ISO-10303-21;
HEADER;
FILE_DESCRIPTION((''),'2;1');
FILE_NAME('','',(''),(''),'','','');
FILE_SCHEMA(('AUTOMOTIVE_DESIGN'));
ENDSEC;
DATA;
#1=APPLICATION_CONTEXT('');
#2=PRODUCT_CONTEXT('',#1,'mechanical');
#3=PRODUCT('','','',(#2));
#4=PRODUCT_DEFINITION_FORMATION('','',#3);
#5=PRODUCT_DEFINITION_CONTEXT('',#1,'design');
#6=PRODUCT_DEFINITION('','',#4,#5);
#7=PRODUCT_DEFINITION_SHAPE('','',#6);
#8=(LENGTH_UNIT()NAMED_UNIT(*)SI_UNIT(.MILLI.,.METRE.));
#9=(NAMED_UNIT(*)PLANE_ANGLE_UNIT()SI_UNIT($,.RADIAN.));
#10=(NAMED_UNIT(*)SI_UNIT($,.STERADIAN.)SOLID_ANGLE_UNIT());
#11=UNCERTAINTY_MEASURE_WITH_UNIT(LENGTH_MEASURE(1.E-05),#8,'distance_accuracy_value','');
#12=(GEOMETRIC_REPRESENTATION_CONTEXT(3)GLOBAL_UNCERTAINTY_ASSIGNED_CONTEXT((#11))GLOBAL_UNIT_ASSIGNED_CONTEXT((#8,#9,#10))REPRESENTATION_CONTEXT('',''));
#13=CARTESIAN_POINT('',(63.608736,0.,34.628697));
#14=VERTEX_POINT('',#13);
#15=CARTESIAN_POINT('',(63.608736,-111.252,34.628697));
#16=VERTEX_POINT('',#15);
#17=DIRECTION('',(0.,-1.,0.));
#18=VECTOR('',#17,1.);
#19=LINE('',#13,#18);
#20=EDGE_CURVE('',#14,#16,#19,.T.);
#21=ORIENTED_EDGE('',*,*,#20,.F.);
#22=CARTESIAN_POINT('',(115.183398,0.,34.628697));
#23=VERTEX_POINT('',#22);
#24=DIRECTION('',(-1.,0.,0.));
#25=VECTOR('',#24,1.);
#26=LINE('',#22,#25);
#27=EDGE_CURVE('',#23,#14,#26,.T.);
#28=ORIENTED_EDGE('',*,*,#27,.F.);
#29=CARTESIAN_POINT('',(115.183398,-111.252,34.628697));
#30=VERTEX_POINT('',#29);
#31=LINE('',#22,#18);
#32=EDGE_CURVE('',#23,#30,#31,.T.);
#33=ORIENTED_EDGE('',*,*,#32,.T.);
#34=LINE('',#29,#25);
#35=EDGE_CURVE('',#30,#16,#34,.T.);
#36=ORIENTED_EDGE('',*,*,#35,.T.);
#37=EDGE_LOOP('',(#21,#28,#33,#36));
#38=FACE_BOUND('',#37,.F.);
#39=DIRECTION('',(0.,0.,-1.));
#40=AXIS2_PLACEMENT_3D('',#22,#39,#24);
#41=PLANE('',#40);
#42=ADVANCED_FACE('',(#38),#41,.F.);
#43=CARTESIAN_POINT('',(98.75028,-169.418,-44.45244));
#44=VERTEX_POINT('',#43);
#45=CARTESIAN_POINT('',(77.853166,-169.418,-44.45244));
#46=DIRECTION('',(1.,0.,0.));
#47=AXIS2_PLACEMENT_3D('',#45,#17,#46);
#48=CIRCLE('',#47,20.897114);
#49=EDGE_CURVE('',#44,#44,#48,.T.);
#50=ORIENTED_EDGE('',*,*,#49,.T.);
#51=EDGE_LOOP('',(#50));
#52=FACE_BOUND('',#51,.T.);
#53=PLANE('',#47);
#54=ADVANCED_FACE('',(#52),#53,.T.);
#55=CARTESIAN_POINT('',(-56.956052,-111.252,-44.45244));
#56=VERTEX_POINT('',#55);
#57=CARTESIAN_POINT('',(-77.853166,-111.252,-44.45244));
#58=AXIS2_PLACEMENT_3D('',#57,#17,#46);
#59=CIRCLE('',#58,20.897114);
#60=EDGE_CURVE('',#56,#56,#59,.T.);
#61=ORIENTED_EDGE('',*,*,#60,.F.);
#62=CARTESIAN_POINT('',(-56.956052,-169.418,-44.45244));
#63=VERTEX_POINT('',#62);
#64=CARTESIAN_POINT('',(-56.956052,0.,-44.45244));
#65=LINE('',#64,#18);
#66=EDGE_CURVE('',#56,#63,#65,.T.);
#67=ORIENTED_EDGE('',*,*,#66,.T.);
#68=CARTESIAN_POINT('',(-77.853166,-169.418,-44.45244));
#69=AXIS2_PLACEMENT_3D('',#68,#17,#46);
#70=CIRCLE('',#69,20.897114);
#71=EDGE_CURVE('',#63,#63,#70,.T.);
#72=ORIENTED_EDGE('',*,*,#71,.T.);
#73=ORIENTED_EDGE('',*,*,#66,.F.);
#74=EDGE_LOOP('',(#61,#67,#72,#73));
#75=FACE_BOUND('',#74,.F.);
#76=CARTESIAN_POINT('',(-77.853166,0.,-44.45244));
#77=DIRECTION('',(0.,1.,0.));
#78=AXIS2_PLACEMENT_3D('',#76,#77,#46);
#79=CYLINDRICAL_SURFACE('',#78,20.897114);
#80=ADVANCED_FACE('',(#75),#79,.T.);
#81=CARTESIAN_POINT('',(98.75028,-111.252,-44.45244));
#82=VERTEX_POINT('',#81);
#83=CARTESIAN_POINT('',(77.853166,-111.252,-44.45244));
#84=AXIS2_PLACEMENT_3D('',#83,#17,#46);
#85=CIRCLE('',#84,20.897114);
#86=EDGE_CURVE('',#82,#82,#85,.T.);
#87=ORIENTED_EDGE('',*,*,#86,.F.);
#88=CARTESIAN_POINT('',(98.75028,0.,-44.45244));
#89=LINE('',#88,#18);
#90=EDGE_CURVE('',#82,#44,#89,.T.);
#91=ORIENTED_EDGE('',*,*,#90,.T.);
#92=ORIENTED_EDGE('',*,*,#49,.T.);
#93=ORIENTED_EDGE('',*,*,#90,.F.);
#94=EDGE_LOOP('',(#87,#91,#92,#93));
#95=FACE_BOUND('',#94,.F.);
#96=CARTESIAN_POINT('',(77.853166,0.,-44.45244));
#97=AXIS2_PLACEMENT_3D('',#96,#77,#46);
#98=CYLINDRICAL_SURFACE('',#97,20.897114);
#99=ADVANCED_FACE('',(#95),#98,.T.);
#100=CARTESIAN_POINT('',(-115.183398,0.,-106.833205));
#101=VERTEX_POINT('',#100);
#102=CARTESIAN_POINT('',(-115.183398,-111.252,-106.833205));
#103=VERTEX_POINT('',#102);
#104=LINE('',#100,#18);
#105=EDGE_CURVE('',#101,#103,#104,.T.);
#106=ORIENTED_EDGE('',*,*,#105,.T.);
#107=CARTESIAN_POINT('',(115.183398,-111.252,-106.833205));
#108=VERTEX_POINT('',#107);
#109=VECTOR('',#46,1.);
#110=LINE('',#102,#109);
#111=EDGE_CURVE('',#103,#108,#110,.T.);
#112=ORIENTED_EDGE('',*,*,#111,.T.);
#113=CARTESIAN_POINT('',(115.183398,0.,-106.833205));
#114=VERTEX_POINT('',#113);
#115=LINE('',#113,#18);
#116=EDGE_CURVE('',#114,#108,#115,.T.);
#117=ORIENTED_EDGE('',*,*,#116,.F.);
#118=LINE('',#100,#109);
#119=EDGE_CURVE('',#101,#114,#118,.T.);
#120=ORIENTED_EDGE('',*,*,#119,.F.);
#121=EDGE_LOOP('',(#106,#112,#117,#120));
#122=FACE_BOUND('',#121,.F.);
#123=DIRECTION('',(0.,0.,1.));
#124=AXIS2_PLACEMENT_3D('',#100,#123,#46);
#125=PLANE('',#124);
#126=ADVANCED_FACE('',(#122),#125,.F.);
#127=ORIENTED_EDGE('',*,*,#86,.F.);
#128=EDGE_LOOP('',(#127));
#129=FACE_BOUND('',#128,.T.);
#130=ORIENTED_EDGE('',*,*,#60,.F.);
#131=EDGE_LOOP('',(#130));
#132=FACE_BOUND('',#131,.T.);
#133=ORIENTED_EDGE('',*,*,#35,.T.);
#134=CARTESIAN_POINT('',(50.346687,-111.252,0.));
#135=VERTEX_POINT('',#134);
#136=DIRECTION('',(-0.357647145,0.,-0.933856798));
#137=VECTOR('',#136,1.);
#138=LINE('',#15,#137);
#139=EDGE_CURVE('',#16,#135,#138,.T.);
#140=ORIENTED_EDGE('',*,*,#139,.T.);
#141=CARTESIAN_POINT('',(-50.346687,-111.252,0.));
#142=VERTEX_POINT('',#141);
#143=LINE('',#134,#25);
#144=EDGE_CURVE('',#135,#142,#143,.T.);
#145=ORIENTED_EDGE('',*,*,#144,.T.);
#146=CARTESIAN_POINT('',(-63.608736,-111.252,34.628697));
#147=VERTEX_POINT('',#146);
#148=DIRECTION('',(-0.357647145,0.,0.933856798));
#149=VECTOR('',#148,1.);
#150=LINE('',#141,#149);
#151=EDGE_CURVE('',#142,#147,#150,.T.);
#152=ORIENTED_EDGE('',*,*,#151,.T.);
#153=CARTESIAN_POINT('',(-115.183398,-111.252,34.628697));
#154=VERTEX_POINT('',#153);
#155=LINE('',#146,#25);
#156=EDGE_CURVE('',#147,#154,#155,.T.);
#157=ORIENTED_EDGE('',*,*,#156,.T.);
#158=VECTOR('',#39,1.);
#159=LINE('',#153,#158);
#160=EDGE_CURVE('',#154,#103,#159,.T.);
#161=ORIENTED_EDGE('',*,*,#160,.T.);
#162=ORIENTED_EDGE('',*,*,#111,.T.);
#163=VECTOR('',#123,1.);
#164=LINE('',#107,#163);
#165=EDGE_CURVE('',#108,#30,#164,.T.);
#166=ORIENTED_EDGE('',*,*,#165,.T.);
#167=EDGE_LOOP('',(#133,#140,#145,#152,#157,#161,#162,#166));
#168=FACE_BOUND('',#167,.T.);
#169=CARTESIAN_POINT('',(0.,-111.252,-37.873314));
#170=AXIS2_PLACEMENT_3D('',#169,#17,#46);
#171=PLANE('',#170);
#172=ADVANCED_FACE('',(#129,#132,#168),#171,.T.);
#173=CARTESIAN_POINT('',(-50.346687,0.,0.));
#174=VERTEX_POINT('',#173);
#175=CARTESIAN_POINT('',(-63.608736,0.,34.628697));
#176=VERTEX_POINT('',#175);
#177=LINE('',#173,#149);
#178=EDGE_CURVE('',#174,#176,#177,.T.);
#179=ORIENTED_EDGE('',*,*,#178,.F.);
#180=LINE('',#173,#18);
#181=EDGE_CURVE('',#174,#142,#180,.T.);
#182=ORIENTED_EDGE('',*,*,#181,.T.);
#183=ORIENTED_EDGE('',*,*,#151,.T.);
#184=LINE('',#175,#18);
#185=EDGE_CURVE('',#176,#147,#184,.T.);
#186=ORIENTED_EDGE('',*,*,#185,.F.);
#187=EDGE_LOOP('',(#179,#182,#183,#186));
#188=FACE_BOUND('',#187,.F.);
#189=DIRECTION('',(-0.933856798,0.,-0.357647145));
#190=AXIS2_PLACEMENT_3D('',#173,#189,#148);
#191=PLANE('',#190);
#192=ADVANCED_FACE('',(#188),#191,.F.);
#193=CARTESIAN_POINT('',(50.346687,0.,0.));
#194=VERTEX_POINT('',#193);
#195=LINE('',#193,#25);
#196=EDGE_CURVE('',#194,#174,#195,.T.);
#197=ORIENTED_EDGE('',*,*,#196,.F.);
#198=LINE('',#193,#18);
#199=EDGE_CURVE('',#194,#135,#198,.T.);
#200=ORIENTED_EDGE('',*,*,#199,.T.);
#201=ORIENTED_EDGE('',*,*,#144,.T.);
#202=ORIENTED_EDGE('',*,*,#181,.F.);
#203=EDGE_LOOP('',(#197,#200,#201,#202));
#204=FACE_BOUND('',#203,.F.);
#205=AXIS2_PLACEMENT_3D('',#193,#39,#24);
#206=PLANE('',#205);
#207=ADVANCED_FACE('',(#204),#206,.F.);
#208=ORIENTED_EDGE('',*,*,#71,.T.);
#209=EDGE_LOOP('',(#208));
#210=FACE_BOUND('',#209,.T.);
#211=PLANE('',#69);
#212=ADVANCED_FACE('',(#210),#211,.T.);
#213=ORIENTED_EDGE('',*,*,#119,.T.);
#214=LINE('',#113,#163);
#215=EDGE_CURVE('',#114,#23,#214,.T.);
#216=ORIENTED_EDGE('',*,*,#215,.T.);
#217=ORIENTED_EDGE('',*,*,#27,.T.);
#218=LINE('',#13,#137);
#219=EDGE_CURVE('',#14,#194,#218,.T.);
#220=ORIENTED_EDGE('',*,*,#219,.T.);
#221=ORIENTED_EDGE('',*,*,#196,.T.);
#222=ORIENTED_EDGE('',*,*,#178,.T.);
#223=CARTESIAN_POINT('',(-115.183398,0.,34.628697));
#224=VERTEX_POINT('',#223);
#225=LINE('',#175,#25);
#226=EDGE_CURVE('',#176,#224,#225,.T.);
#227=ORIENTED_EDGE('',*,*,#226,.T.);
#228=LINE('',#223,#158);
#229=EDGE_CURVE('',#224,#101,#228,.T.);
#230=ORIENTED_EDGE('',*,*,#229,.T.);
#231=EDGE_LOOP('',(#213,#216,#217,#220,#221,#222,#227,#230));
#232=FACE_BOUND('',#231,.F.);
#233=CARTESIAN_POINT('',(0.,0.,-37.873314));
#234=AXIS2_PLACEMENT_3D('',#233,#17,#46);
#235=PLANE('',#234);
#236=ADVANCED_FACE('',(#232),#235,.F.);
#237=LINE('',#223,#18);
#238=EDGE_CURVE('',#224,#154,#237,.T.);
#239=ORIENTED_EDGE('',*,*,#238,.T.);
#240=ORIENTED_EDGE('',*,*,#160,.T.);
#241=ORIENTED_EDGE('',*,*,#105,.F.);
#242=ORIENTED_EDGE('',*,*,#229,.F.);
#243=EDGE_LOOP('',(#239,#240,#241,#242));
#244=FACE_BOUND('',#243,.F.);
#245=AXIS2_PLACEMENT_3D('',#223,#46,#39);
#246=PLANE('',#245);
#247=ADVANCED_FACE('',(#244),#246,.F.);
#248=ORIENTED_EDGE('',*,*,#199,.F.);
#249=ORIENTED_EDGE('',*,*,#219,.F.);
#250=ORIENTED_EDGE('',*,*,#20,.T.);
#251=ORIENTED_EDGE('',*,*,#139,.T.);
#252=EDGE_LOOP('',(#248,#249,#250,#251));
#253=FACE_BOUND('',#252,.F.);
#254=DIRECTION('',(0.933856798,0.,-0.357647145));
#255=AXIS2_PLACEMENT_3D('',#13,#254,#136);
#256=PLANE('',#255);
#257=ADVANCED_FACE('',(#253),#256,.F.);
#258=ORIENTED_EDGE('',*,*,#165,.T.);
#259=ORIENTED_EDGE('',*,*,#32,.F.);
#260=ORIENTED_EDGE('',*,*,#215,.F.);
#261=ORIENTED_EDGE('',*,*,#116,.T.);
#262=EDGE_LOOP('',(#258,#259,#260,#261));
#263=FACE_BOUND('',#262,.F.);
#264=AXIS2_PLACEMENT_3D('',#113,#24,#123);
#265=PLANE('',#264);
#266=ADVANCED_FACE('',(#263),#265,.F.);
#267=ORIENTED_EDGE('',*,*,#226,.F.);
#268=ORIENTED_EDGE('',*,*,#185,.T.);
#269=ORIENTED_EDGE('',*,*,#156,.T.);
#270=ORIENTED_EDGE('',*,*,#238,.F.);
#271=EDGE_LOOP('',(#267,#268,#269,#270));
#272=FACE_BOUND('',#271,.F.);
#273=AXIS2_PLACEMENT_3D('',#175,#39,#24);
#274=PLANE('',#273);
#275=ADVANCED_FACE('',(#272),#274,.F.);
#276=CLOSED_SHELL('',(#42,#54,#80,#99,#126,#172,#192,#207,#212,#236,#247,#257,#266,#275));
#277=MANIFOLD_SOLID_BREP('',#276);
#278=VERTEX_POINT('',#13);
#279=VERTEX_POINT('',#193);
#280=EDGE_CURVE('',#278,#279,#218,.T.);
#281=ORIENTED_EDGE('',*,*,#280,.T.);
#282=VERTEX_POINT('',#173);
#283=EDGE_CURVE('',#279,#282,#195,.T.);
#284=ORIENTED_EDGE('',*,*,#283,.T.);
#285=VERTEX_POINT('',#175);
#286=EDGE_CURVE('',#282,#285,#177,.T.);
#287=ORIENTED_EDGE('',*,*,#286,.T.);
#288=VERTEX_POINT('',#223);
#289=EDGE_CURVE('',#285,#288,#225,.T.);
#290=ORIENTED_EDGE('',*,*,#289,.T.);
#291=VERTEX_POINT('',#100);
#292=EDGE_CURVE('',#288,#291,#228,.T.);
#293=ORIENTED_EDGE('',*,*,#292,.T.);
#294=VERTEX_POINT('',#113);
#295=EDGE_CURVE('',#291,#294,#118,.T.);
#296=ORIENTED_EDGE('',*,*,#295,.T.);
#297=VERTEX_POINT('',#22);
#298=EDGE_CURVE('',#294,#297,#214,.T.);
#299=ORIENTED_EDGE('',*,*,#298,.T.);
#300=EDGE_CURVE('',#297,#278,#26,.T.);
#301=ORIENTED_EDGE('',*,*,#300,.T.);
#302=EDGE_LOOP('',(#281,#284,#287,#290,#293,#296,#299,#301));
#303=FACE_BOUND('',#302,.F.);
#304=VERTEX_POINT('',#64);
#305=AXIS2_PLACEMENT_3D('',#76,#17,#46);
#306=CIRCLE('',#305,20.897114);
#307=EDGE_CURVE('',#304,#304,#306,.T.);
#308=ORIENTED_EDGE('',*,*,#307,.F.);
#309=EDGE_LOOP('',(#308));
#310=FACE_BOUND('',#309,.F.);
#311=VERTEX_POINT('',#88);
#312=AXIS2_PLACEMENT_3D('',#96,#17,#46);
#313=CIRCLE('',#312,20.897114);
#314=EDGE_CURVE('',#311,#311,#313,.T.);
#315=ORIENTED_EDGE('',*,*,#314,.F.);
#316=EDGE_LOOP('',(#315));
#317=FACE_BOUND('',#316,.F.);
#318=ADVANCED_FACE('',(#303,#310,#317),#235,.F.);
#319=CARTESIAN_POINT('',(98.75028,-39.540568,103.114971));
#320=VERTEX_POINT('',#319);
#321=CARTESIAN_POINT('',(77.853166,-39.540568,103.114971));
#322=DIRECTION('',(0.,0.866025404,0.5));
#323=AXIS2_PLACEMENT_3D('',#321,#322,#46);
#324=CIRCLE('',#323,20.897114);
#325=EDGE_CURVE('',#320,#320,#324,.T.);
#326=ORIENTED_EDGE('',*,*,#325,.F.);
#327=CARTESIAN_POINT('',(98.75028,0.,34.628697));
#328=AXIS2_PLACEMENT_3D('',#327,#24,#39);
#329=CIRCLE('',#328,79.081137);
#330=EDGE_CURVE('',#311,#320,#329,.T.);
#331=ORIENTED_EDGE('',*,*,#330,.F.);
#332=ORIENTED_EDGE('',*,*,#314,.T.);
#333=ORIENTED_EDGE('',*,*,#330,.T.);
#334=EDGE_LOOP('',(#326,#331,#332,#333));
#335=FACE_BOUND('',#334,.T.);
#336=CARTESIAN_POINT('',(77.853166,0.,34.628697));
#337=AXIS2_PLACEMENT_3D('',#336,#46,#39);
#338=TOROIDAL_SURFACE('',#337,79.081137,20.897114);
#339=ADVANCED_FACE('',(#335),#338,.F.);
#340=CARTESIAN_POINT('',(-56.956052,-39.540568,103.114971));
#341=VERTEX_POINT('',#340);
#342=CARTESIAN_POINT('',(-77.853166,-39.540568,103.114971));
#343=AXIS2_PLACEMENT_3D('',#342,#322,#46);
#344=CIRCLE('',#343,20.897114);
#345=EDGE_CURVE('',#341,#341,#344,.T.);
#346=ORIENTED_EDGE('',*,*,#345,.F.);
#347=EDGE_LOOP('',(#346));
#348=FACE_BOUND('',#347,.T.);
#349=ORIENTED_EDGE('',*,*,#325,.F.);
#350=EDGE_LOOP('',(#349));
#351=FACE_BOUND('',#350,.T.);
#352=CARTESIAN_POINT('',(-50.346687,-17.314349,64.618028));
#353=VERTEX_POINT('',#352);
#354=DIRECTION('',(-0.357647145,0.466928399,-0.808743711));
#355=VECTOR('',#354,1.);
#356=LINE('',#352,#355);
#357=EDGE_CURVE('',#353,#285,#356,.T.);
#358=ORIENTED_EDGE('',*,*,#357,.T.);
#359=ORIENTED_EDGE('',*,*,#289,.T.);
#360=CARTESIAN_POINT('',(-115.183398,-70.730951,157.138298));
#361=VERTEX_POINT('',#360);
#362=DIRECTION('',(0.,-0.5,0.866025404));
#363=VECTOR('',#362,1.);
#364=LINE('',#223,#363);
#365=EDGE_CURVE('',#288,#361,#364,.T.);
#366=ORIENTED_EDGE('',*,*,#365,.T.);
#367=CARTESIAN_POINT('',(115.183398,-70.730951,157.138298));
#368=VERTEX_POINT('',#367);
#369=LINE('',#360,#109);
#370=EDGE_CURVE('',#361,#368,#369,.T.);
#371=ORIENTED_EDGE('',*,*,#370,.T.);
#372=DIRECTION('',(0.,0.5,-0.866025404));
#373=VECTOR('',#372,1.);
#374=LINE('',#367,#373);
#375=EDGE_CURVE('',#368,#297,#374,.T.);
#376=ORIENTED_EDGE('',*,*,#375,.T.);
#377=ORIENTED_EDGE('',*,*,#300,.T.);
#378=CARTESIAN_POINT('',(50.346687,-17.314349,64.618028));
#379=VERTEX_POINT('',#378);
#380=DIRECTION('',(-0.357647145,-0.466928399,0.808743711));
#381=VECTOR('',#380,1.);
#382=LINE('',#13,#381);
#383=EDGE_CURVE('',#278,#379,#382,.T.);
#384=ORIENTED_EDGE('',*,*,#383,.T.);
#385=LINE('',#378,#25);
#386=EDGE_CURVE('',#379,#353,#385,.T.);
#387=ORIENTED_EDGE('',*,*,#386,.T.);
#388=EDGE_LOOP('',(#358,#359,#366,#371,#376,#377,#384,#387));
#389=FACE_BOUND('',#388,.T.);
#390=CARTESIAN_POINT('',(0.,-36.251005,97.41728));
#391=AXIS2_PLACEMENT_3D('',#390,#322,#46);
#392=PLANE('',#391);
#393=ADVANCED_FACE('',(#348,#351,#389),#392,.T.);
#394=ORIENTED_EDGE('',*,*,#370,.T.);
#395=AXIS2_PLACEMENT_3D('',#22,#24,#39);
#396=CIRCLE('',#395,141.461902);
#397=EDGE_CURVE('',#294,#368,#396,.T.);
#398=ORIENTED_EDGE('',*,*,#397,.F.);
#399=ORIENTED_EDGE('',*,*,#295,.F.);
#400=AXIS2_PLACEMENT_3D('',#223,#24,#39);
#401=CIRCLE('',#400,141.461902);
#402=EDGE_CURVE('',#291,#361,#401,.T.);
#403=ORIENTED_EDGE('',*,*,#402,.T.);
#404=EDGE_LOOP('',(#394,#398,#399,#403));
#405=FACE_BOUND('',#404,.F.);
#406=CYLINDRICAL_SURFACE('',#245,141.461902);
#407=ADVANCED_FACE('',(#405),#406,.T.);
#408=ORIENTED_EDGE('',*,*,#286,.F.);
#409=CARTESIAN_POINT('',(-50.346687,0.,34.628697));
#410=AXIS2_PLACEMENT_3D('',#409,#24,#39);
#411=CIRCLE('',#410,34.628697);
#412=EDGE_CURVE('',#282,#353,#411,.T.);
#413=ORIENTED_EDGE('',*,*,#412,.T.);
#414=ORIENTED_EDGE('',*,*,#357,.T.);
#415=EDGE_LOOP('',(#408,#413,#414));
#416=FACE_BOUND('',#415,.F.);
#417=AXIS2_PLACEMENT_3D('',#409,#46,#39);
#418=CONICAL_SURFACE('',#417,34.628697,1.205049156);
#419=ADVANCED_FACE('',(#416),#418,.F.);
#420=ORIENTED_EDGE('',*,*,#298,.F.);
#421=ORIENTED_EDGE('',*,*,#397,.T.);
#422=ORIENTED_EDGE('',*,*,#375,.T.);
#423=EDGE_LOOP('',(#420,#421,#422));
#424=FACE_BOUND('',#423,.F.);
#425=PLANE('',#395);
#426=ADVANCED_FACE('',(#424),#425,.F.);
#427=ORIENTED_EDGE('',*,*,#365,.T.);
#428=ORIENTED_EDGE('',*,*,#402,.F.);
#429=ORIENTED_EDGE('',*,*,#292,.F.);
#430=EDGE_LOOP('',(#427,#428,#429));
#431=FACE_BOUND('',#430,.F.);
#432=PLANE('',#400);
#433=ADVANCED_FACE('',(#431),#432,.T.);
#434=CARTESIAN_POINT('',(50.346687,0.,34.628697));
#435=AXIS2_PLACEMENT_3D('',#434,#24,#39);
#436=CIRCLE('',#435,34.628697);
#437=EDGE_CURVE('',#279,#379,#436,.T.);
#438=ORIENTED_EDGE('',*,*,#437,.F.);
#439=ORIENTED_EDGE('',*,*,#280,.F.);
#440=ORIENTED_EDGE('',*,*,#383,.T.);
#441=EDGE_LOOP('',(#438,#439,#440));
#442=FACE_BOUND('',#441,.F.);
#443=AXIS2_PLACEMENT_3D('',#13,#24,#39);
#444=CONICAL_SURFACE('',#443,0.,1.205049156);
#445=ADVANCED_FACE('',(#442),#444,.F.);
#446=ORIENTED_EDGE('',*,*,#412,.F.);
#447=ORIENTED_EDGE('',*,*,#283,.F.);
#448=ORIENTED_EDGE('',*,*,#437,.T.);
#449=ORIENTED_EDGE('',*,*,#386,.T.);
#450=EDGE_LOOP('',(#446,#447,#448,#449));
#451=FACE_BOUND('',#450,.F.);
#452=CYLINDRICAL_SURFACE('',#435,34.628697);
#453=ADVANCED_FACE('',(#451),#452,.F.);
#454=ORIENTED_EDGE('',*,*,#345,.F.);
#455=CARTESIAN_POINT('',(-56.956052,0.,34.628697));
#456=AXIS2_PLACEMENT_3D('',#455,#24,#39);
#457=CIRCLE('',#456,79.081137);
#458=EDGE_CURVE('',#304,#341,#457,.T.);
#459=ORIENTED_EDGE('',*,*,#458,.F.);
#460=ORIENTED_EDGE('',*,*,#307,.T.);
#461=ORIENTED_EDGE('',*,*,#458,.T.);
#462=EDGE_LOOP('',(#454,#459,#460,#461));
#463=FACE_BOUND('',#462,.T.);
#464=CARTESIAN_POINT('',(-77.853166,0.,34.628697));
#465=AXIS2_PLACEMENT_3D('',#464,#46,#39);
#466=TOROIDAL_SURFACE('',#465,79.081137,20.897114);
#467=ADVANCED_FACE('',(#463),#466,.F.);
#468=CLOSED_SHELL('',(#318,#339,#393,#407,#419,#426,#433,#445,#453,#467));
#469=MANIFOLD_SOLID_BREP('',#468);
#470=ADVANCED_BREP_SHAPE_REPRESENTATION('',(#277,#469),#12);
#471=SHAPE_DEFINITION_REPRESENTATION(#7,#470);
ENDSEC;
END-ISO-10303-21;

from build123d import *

# Parameters (mm, degrees)
F0_R     = 20.897114
F1_DEPTH = 111.252
F2_DEPTH = 169.418
F3_ANGLE = -150


with BuildPart() as f1:
    # F0 (on Front) → F1 (new body)
    with BuildSketch(Plane.XZ):
        Polygon((50.346687, 0), (0, 0), (-50.346687, 0), (-63.608736, 34.628697), (-115.183398, 34.628697), (-115.183398, 0), (-115.183398, -106.833205), (0, -106.833205), (115.183398, -106.833205), (115.183398, 0), (115.183398, 34.628697), (63.608736, 34.628697), align=None)
        with Locations((-77.853166, -44.45244)):
            Circle(F0_R, mode=Mode.SUBTRACT)
        with Locations((77.853166, -44.45244)):
            Circle(F0_R, mode=Mode.SUBTRACT)
    extrude(amount=F1_DEPTH)

    # F0 (on Front) → F2 (join)
    with BuildSketch(Plane.XZ):
        with Locations((77.853166, -44.45244)):
            Circle(F0_R)
        with Locations((-77.853166, -44.45244)):
            Circle(F0_R)
    extrude(amount=F2_DEPTH)


with BuildPart() as f3:
    # F0 (on Front) → F3 (revolve)
    with BuildSketch(Plane.XZ):
        Polygon((50.346687, 0), (0, 0), (-50.346687, 0), (-63.608736, 34.628697), (-115.183398, 34.628697), (-115.183398, 0), (-115.183398, -106.833205), (0, -106.833205), (115.183398, -106.833205), (115.183398, 0), (115.183398, 34.628697), (63.608736, 34.628697), align=None)
        with Locations((-77.853166, -44.45244)):
            Circle(F0_R, mode=Mode.SUBTRACT)
        with Locations((77.853166, -44.45244)):
            Circle(F0_R, mode=Mode.SUBTRACT)
    revolve(axis=Axis((89.396067, 0, 34.628697), (1, 0, 0)), revolution_arc=F3_ANGLE)


solid = Compound([f1.part, f3.part])
